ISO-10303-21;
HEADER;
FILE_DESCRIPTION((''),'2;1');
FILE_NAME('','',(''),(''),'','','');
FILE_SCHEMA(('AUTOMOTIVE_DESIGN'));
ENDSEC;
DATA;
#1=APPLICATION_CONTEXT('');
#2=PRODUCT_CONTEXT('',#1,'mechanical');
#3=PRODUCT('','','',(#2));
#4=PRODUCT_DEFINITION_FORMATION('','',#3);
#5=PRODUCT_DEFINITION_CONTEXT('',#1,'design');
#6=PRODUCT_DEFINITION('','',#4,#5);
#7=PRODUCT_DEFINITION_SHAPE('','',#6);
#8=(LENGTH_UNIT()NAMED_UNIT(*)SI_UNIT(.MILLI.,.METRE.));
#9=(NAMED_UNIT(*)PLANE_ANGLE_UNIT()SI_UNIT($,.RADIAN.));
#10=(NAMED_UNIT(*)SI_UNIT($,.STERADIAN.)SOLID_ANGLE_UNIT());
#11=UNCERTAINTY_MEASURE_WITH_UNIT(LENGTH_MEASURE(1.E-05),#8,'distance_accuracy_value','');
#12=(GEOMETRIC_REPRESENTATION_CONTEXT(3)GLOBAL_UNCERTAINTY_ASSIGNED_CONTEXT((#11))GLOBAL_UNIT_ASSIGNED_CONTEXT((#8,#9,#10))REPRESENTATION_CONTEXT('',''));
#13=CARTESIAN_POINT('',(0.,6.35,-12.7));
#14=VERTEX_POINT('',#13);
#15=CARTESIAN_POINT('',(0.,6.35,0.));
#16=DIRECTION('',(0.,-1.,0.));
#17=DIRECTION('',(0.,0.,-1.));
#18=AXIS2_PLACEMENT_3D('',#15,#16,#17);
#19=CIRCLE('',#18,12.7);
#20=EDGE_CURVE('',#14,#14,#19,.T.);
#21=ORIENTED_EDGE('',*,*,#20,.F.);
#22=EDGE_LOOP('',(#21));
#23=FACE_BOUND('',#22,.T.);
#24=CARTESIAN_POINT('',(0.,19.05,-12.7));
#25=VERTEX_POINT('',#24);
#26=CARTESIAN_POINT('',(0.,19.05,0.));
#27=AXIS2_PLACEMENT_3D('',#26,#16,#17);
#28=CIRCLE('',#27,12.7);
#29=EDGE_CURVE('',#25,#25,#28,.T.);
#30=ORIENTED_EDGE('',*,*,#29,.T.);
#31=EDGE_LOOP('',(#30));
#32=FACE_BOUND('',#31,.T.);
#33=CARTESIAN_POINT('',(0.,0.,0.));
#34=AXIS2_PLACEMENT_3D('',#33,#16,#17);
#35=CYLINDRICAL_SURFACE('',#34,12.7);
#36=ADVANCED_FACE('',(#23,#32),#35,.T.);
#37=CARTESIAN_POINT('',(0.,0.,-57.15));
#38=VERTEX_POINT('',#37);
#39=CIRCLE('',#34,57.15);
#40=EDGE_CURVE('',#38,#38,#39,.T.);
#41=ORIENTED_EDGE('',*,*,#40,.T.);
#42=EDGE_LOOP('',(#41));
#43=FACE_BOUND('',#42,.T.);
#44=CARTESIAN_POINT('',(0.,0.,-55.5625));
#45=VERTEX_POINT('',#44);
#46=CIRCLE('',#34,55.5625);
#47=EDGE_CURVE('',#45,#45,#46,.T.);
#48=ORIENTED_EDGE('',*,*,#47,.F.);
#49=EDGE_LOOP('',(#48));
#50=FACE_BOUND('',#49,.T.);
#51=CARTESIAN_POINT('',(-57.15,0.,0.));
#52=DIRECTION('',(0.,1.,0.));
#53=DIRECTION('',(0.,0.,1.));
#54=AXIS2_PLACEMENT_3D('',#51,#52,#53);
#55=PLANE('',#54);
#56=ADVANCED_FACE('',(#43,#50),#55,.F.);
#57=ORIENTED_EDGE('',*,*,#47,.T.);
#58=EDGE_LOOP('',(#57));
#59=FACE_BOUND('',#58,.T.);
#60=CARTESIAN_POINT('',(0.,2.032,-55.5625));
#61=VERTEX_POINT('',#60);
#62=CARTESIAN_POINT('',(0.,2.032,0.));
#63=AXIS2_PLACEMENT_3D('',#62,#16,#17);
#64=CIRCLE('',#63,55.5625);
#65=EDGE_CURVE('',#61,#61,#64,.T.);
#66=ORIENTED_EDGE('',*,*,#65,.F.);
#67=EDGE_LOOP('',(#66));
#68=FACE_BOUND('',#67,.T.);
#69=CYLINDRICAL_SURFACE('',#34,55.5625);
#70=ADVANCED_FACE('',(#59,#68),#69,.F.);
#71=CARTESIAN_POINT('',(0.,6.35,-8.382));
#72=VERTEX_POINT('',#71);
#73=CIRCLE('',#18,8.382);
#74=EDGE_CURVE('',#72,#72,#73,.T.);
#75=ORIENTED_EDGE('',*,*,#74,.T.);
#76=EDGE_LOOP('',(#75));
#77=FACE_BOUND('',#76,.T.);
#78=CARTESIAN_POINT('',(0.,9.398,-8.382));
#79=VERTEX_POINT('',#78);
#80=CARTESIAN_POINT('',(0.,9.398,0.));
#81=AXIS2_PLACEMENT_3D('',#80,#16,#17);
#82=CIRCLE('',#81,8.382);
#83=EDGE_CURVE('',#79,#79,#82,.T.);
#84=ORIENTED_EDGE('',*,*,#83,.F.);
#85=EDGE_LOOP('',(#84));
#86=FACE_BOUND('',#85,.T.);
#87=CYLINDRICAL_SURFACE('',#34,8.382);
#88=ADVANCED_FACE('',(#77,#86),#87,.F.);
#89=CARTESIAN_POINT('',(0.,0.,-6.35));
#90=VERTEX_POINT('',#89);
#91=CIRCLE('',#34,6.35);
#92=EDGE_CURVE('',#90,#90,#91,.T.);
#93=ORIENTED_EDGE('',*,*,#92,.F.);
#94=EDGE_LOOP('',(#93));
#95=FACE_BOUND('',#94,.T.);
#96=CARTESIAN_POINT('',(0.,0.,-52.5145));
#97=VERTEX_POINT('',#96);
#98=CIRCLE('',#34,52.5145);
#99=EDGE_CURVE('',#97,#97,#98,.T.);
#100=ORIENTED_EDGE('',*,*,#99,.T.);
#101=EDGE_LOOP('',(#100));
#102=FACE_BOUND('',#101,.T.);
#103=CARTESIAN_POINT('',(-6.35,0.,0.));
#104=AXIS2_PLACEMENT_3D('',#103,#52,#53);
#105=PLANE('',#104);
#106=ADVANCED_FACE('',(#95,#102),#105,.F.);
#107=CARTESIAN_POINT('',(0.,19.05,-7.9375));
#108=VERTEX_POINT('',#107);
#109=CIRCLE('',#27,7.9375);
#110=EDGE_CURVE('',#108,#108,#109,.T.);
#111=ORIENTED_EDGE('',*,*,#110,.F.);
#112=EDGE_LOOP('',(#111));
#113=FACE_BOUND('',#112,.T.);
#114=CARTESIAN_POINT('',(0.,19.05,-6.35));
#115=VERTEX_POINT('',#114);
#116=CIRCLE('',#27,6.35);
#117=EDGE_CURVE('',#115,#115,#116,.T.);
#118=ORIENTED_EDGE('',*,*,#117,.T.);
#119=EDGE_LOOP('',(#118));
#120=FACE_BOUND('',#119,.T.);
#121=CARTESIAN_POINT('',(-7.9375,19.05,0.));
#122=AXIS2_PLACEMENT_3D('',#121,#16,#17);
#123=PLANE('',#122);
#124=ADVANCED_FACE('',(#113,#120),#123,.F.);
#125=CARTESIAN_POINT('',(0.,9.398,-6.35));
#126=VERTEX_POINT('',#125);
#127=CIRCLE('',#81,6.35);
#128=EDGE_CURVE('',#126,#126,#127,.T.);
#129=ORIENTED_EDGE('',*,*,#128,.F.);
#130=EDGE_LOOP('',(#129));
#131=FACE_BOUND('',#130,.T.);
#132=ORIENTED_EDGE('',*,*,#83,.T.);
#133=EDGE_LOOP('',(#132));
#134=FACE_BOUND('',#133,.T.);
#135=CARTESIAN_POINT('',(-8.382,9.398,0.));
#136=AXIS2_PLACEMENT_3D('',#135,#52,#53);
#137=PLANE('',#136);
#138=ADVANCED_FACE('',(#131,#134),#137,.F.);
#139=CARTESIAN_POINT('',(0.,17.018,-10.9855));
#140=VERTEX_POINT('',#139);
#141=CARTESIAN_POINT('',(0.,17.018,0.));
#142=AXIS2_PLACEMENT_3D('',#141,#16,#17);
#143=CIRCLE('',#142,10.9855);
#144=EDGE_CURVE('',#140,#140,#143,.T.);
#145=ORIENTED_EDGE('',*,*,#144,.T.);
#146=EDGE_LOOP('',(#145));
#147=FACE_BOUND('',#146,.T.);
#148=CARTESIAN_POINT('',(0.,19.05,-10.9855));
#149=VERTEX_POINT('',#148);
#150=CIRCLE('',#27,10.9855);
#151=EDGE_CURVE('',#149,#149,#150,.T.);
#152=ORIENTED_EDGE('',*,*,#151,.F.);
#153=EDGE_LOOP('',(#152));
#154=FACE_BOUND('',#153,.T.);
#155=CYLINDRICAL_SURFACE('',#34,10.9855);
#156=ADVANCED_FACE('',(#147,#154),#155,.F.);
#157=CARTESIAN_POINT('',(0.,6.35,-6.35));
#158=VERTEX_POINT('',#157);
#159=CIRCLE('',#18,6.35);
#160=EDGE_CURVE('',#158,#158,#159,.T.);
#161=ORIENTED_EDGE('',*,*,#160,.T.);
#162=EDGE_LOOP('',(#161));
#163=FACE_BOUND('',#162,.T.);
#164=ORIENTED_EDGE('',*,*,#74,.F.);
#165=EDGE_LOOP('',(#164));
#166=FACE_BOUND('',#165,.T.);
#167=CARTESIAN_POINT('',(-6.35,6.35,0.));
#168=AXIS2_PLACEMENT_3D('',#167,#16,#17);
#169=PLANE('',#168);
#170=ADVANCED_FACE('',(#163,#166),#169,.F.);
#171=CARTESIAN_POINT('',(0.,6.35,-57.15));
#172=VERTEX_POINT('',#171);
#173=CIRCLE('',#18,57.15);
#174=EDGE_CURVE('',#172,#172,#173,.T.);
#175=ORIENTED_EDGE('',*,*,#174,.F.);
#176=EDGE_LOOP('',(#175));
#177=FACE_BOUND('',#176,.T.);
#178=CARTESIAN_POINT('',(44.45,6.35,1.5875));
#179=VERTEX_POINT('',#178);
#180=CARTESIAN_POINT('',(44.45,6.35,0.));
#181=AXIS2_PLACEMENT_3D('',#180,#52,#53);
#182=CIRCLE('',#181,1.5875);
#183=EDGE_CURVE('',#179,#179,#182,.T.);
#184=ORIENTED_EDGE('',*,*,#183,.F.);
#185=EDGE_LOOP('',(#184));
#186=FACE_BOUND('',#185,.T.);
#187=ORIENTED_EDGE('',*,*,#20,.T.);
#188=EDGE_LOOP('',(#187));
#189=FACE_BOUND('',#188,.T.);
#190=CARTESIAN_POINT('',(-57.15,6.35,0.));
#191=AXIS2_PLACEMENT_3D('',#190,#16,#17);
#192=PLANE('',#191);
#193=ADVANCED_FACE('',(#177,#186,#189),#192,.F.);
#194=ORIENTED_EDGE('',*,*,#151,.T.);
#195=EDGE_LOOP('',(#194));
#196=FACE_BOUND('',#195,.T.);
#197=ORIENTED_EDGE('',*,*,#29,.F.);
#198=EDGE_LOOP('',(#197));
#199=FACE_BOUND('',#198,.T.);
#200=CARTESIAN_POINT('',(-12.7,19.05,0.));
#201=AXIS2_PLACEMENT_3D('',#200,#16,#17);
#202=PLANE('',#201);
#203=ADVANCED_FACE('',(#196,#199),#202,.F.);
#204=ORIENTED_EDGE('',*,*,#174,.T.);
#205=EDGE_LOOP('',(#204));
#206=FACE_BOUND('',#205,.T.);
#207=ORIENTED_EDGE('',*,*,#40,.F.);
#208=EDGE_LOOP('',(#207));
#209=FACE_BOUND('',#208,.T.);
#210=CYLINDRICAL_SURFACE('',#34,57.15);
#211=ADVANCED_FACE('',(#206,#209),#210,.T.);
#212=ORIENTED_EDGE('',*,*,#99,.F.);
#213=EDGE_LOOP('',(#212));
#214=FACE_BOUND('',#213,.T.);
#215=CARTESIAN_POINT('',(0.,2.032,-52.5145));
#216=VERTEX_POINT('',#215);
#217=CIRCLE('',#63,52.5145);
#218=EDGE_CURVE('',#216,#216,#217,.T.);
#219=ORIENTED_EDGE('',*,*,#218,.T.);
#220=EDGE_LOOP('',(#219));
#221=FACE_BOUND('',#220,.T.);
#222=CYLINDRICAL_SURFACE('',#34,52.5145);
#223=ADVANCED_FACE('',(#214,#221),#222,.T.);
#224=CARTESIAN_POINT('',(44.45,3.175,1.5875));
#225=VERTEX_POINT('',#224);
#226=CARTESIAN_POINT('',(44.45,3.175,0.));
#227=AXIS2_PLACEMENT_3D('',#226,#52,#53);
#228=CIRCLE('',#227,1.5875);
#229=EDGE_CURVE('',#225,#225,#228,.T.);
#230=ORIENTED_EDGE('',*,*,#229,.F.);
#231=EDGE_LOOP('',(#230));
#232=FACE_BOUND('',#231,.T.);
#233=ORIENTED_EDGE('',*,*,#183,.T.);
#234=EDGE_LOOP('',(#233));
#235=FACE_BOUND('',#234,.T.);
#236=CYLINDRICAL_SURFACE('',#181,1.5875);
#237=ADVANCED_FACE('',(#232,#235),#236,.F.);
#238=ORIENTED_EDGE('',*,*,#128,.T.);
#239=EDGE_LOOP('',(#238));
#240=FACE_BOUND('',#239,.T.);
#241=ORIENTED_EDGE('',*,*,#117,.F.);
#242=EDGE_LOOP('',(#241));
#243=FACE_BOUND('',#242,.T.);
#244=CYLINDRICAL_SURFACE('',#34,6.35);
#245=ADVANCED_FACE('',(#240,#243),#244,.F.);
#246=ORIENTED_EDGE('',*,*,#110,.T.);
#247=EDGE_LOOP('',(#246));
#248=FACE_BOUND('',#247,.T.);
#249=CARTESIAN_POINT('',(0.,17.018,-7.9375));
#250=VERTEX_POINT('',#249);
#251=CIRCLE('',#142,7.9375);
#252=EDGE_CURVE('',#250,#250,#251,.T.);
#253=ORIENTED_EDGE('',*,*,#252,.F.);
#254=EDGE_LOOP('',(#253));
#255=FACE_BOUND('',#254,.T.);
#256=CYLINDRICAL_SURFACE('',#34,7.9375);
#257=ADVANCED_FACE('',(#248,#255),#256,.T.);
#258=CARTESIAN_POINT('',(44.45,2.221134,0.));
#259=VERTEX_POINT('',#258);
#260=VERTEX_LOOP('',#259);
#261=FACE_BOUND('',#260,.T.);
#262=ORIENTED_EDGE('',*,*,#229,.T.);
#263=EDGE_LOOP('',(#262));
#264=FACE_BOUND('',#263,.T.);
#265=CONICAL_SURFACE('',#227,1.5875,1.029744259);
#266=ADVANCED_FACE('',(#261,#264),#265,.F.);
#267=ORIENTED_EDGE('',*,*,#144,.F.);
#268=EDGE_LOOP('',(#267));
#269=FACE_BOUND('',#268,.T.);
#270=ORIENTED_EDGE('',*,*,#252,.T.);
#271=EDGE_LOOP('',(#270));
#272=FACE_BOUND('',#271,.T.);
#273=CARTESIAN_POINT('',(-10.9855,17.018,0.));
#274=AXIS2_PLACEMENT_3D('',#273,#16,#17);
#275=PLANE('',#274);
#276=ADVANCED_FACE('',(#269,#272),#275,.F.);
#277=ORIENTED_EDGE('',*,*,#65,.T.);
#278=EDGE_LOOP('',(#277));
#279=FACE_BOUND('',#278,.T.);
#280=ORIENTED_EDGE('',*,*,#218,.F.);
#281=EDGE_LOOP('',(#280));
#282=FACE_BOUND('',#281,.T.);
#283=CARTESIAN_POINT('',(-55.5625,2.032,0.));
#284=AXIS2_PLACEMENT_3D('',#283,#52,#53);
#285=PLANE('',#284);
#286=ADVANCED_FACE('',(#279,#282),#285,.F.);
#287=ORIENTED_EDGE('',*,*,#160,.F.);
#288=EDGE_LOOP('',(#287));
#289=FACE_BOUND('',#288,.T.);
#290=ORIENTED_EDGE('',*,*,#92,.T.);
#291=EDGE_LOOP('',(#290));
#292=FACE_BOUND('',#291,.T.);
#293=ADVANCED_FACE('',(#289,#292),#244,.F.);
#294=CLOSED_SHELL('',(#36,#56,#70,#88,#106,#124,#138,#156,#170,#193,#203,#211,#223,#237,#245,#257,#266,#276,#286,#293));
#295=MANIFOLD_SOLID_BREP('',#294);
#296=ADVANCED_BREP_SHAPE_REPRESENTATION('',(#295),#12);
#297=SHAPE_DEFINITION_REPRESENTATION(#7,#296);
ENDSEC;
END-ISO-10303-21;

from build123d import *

# Parameters (mm, degrees)
F_1_8_0_125_DIAMETER_HOLE1_D     = 3.175
F_1_8_0_125_DIAMETER_HOLE1_DEPTH = 3.175
F_1_8_0_125_DIAMETER_HOLE1_TIP   = 0.953866233


with BuildPart() as part:
    # Sketch1 → Revolve1 (revolve)
    with BuildSketch(Plane.XY, mode=Mode.PRIVATE) as revolve1_sk:
        Polygon((-6.35, 0), (-52.5145, 0), (-52.5145, 2.032), (-55.5625, 2.032), (-55.5625, 0), (-57.15, 0), (-57.15, 6.35), (-12.7, 6.35), (-12.7, 19.05), (-10.9855, 19.05), (-10.9855, 17.018), (-7.9375, 17.018), (-7.9375, 19.05), (-6.35, 19.05), (-6.35, 9.398), (-8.382, 9.398), (-8.382, 6.35), (-6.35, 6.35), align=None)
    revolve(revolve1_sk.sketch.rotate(Axis((0, 0, 0), (0, 1, 0)), 270), axis=Axis((0, 0, 0), (0, 1, 0)))

    # 1/8 (0.125) Diameter Hole1
    with Locations(Plane(origin=(0, 6.35, 0), x_dir=(1, 0, 0), z_dir=(0, 1, 0))):
        with Locations((44.45, 0)):
            Hole(F_1_8_0_125_DIAMETER_HOLE1_D / 2, depth=F_1_8_0_125_DIAMETER_HOLE1_DEPTH)
            with Locations((0, 0, -(F_1_8_0_125_DIAMETER_HOLE1_DEPTH + F_1_8_0_125_DIAMETER_HOLE1_TIP / 2))):  # 118° drill point
                Cone(0, F_1_8_0_125_DIAMETER_HOLE1_D / 2, F_1_8_0_125_DIAMETER_HOLE1_TIP, mode=Mode.SUBTRACT)


solid = part.part
